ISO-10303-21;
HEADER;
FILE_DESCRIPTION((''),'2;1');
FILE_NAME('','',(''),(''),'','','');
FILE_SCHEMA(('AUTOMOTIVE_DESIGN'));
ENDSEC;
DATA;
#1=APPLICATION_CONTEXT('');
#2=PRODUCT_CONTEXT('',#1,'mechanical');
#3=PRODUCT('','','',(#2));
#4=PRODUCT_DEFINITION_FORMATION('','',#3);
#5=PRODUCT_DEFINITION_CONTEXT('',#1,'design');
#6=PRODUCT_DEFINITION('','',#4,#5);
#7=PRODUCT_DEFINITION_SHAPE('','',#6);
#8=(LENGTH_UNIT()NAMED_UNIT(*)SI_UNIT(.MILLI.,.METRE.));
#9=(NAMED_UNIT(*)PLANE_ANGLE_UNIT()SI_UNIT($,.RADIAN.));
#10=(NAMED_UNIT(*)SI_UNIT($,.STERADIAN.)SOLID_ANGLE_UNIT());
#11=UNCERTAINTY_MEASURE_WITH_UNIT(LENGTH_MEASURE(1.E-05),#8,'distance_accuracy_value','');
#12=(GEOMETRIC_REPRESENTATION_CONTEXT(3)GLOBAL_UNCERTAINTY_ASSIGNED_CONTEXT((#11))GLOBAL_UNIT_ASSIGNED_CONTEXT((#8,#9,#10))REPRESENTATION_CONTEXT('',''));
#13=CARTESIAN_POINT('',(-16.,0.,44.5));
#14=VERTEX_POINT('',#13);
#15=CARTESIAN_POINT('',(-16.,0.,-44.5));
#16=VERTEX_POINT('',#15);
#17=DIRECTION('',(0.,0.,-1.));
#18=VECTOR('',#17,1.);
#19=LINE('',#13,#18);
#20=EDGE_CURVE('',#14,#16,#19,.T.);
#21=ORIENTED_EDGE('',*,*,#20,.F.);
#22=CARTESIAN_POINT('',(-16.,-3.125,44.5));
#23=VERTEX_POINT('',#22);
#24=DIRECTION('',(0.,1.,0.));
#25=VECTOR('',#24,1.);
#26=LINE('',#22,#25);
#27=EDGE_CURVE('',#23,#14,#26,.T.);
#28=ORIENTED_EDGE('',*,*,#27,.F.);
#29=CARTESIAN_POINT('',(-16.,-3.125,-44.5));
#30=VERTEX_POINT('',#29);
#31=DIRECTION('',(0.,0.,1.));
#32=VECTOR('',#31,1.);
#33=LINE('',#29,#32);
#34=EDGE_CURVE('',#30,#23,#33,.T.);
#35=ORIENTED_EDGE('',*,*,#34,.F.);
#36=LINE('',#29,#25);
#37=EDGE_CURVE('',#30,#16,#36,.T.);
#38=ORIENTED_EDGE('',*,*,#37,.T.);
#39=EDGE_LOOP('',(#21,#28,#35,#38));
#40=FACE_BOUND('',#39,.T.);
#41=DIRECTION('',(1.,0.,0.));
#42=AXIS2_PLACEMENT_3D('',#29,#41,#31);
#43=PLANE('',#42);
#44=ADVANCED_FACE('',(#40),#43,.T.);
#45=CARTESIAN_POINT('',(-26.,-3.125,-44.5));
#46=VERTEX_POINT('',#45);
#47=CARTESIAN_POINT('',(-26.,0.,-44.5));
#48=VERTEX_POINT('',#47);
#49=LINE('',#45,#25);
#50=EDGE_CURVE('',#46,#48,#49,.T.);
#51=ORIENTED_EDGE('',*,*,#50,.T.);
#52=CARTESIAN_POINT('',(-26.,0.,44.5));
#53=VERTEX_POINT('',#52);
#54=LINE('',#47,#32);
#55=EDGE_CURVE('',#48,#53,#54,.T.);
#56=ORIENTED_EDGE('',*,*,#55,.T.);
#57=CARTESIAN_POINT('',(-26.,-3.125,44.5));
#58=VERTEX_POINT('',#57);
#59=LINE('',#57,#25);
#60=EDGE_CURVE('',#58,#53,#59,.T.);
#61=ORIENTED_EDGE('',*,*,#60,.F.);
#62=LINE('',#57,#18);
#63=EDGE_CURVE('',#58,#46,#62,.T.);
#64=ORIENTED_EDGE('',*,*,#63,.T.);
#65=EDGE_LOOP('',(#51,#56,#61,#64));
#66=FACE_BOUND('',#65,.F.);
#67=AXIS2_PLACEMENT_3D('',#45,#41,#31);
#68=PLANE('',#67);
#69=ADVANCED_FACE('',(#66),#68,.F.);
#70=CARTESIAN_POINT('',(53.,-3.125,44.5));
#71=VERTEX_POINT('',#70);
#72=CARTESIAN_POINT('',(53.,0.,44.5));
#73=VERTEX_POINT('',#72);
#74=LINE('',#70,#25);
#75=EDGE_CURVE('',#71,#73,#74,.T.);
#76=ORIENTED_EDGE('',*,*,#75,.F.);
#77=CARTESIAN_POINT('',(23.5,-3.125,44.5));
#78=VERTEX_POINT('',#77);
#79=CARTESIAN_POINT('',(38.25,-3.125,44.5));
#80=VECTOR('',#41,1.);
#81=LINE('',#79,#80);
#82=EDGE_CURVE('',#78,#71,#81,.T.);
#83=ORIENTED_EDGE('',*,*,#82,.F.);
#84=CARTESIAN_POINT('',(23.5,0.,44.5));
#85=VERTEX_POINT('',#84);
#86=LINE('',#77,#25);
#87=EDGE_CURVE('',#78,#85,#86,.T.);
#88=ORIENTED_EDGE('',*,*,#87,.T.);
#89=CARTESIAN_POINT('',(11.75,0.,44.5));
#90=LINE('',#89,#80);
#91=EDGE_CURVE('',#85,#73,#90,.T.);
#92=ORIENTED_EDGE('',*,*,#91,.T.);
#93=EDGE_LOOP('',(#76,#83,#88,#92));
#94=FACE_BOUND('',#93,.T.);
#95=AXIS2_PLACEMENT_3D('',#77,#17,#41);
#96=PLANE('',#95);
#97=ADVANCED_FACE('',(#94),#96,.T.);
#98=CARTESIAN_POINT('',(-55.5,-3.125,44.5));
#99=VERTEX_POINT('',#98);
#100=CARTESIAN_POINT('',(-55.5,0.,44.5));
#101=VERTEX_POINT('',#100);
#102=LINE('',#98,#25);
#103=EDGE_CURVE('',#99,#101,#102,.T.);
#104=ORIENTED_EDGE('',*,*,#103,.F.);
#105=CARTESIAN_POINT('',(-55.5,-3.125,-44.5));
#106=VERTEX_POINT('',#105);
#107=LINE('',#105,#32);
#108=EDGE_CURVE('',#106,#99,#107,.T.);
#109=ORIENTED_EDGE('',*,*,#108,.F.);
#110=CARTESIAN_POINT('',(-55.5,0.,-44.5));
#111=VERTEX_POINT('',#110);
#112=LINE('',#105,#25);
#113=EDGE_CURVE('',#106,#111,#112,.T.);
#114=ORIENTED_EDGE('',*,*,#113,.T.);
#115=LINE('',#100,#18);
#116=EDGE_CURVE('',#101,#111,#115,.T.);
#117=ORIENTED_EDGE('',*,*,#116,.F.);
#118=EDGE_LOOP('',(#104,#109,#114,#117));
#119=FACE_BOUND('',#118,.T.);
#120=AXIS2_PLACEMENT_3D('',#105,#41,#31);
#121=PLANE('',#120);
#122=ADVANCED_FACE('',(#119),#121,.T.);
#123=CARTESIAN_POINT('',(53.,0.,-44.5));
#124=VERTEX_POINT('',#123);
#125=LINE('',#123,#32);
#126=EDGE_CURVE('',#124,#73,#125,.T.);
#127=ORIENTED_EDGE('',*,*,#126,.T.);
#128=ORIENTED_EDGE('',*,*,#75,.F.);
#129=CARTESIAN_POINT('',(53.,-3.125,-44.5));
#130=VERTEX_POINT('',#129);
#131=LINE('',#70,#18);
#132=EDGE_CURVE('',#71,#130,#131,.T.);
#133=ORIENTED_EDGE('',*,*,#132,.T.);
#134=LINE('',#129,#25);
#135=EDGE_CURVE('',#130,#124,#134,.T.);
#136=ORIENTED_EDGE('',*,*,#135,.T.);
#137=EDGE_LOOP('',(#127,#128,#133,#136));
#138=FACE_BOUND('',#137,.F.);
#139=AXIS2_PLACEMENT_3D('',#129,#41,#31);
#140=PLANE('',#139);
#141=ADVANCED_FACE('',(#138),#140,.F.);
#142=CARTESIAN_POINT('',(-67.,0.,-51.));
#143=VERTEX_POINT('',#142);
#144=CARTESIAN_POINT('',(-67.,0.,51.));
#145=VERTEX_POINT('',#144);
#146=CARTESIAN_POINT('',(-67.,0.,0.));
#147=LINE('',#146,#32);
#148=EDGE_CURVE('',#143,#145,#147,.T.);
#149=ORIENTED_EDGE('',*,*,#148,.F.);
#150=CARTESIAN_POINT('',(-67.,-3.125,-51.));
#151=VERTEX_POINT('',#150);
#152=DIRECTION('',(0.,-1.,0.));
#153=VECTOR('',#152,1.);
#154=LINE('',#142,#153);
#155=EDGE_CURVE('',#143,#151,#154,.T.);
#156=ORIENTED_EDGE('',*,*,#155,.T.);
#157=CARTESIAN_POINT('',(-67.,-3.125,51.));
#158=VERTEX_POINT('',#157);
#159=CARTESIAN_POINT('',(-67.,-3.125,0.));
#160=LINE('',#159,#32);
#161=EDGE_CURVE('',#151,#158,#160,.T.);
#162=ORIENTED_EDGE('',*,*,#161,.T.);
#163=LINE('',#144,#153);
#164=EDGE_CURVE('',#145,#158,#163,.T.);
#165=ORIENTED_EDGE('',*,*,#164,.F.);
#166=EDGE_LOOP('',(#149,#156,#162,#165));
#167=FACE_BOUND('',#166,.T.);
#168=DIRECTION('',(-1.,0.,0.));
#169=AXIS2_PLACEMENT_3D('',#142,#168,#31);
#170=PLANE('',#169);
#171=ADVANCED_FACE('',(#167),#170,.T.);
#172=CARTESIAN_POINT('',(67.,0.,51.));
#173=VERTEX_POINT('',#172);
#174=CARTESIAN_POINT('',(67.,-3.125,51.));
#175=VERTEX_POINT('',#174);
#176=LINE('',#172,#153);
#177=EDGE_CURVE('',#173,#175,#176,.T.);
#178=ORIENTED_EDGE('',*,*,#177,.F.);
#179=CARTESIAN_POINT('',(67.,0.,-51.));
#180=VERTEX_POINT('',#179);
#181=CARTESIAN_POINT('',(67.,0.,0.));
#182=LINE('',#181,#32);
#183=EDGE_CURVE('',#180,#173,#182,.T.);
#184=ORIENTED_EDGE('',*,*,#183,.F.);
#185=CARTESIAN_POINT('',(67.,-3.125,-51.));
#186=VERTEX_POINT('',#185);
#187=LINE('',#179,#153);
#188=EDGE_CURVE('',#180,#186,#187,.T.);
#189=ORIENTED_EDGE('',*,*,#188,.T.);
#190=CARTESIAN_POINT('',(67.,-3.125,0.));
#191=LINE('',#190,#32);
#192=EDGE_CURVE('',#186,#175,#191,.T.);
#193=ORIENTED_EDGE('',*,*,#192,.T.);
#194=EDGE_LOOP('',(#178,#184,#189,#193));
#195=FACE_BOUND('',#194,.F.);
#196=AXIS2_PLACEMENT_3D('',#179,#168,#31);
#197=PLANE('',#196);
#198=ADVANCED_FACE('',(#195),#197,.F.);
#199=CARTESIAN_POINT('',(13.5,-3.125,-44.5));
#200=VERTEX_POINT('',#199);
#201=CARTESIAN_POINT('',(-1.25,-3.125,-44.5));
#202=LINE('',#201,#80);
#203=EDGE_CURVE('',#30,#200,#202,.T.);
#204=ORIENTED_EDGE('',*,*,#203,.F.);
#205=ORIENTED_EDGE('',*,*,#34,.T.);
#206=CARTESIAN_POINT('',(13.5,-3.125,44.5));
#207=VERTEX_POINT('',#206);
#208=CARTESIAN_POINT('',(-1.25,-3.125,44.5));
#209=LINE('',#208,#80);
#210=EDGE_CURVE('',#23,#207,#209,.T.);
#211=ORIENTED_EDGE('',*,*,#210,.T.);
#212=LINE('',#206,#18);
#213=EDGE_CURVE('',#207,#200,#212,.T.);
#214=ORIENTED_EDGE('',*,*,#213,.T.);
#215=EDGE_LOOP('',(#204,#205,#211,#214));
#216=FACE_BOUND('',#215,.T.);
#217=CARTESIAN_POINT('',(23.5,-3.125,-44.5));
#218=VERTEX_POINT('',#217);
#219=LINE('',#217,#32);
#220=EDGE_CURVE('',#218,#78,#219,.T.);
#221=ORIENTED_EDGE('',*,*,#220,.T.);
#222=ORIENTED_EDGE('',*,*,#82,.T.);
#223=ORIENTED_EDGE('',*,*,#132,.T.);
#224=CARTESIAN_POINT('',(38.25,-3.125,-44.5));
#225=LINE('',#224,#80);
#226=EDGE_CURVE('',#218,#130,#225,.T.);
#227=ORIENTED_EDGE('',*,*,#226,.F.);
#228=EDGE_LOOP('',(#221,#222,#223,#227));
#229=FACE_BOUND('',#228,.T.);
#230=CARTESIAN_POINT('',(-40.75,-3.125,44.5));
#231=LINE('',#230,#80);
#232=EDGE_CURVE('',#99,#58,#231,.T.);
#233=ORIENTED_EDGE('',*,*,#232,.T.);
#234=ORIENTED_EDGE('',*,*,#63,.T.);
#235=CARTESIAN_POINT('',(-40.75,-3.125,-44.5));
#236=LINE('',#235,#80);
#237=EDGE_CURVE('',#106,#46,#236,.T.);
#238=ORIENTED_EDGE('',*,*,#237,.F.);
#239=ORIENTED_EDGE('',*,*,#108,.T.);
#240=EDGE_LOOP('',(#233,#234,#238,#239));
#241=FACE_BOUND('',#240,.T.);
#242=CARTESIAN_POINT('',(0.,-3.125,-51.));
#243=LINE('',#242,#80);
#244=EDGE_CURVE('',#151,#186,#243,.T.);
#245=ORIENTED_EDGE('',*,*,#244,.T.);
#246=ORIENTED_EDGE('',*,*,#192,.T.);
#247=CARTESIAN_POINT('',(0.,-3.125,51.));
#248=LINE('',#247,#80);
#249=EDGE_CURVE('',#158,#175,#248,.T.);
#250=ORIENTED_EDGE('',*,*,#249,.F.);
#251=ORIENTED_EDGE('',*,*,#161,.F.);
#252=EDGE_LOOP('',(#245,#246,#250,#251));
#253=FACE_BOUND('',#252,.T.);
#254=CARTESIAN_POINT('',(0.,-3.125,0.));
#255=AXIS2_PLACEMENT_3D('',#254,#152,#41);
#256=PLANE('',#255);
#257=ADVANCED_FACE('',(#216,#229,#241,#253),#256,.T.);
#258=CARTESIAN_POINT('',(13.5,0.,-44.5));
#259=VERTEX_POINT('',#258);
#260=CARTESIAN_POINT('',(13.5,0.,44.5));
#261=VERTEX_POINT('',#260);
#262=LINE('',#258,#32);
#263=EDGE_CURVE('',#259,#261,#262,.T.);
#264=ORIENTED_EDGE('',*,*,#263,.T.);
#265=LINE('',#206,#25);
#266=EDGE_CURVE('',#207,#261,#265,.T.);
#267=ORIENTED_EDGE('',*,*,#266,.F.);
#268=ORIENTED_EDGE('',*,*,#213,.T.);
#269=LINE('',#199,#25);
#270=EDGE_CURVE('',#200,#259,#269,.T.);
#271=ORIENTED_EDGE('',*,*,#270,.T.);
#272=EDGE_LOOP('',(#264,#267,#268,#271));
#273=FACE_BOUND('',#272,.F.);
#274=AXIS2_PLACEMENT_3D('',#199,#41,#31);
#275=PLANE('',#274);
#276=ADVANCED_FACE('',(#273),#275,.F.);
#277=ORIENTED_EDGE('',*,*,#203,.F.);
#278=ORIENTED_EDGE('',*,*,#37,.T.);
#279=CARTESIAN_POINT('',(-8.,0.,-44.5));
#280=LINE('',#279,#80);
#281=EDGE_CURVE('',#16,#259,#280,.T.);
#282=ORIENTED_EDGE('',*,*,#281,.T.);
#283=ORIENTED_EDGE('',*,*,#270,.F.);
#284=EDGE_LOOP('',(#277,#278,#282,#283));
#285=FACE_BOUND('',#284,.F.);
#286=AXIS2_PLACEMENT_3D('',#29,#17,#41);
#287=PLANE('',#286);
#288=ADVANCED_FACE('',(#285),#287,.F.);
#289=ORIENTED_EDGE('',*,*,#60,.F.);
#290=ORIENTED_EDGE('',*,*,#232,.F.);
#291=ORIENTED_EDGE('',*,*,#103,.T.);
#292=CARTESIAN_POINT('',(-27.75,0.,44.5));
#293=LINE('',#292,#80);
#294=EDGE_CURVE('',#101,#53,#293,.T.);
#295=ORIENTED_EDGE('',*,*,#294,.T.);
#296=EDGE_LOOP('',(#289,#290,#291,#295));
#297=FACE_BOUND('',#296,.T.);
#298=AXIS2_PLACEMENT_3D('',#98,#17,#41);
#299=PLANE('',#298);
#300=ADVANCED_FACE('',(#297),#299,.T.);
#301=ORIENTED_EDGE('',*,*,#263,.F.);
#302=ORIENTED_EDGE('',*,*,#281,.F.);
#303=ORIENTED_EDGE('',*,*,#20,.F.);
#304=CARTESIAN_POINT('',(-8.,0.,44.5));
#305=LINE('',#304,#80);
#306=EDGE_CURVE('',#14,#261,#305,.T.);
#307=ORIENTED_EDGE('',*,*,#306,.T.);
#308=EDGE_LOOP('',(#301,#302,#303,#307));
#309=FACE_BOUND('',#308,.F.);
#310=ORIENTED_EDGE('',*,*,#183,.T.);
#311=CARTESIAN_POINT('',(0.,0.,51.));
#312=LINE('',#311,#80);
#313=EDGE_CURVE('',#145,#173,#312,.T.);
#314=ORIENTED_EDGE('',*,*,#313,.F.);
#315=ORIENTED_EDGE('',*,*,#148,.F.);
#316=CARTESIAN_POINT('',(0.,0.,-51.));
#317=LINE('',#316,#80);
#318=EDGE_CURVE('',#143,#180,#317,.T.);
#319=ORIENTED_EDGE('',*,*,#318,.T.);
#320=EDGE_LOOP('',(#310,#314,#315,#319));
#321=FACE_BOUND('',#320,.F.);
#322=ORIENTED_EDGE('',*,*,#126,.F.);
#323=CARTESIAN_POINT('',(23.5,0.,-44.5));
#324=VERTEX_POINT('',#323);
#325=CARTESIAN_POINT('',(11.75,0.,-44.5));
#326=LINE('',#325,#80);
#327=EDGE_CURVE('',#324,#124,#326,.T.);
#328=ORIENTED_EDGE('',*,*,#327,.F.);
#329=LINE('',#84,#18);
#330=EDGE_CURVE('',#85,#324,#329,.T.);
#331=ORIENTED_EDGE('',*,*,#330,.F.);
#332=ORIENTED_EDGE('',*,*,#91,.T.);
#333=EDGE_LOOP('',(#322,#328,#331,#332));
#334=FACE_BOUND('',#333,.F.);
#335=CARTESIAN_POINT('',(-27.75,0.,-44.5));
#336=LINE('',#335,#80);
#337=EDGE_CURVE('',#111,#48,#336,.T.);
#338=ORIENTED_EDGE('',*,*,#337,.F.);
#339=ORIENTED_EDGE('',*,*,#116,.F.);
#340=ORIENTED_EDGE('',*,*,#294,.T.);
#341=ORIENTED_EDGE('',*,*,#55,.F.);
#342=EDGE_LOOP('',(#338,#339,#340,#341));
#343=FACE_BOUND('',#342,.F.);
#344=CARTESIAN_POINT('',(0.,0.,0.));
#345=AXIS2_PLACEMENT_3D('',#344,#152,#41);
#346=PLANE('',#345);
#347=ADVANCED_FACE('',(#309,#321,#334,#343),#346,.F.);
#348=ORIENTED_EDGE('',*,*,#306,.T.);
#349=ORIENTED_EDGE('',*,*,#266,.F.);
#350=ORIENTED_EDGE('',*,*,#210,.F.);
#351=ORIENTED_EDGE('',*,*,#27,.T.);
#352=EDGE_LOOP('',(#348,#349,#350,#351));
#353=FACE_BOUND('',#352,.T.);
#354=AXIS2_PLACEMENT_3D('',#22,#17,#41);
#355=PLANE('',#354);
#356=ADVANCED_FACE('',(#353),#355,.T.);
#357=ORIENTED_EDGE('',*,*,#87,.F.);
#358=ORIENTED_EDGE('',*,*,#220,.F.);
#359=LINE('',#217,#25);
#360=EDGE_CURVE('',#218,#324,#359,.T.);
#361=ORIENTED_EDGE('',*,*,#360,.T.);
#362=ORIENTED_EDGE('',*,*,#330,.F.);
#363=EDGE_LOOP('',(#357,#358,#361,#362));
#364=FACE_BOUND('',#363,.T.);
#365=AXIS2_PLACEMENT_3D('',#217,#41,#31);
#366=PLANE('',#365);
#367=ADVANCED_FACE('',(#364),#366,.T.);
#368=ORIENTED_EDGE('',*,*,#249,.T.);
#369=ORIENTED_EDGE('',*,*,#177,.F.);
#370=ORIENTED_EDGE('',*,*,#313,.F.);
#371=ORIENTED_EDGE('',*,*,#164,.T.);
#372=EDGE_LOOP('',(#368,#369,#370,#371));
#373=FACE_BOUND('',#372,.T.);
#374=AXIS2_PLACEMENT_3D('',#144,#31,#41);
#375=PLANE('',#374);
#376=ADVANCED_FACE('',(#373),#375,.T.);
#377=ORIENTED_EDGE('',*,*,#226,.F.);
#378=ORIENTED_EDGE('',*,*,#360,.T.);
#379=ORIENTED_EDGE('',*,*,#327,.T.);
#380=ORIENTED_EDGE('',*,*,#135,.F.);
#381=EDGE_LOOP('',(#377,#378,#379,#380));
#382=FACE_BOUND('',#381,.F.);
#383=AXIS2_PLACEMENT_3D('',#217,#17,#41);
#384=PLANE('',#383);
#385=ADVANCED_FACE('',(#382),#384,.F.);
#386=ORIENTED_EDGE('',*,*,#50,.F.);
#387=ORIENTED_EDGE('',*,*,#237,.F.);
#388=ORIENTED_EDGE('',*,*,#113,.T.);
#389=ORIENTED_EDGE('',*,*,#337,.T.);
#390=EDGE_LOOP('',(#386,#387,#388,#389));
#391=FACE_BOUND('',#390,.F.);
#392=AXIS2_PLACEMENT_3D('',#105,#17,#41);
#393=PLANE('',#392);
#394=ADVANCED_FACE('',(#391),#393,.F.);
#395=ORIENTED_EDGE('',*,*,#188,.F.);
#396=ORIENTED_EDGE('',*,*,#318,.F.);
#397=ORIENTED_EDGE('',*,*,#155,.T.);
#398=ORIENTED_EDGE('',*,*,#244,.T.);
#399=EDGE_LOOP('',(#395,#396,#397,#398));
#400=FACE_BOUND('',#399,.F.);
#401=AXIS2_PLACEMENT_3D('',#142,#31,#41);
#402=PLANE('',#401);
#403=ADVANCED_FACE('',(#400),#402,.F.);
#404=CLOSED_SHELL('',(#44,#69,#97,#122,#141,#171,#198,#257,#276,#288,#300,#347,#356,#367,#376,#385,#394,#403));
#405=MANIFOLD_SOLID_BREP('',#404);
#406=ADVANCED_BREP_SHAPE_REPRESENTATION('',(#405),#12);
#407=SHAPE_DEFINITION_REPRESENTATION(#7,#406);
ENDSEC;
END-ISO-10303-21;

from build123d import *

# Parameters (mm, degrees)
F0_W     = 134
F0_H     = 102
F1_DEPTH = 3.125
F2_W     = 29.5
F2_H     = 79.6
F3_DEPTH = 3.175
F5_W     = 29.5
F5_H     = 4.7
F6_DEPTH = 3.175


with BuildPart() as f1:
    # F0 (on Front) → F1 (new body)
    with BuildSketch(Plane.XZ):
        Rectangle(F0_W, F0_H)
    extrude(amount=F1_DEPTH)

    # F2 (on face) → F3 (cut)
    with BuildSketch(Plane.XZ.offset(3.125)):
        with Locations((-40.75, 0)):
            Rectangle(F2_W, F2_H)
        with Locations((38.25, 0)):
            Rectangle(F2_W, F2_H)
        with Locations((-1.25, 0)):
            Rectangle(F2_W, F2_H)
    extrude(amount=-F3_DEPTH, mode=Mode.SUBTRACT)

    # F5 (on face) → F6 (cut)
    with BuildSketch(Plane.XZ.offset(3.125)):
        with Locations((-40.75, 42.15)):
            Rectangle(F5_W, F5_H)
        with Locations((-1.25, 42.15)):
            Rectangle(F5_W, F5_H)
        with Locations((38.25, 42.15)):
            Rectangle(F5_W, F5_H)
        with Locations((38.25, -42.15)):
            Rectangle(F5_W, F5_H)
        with Locations((-1.25, -42.15)):
            Rectangle(F5_W, F5_H)
        with Locations((-40.75, -42.15)):
            Rectangle(F5_W, F5_H)
    extrude(amount=-F6_DEPTH, mode=Mode.SUBTRACT)


solid = f1.part
